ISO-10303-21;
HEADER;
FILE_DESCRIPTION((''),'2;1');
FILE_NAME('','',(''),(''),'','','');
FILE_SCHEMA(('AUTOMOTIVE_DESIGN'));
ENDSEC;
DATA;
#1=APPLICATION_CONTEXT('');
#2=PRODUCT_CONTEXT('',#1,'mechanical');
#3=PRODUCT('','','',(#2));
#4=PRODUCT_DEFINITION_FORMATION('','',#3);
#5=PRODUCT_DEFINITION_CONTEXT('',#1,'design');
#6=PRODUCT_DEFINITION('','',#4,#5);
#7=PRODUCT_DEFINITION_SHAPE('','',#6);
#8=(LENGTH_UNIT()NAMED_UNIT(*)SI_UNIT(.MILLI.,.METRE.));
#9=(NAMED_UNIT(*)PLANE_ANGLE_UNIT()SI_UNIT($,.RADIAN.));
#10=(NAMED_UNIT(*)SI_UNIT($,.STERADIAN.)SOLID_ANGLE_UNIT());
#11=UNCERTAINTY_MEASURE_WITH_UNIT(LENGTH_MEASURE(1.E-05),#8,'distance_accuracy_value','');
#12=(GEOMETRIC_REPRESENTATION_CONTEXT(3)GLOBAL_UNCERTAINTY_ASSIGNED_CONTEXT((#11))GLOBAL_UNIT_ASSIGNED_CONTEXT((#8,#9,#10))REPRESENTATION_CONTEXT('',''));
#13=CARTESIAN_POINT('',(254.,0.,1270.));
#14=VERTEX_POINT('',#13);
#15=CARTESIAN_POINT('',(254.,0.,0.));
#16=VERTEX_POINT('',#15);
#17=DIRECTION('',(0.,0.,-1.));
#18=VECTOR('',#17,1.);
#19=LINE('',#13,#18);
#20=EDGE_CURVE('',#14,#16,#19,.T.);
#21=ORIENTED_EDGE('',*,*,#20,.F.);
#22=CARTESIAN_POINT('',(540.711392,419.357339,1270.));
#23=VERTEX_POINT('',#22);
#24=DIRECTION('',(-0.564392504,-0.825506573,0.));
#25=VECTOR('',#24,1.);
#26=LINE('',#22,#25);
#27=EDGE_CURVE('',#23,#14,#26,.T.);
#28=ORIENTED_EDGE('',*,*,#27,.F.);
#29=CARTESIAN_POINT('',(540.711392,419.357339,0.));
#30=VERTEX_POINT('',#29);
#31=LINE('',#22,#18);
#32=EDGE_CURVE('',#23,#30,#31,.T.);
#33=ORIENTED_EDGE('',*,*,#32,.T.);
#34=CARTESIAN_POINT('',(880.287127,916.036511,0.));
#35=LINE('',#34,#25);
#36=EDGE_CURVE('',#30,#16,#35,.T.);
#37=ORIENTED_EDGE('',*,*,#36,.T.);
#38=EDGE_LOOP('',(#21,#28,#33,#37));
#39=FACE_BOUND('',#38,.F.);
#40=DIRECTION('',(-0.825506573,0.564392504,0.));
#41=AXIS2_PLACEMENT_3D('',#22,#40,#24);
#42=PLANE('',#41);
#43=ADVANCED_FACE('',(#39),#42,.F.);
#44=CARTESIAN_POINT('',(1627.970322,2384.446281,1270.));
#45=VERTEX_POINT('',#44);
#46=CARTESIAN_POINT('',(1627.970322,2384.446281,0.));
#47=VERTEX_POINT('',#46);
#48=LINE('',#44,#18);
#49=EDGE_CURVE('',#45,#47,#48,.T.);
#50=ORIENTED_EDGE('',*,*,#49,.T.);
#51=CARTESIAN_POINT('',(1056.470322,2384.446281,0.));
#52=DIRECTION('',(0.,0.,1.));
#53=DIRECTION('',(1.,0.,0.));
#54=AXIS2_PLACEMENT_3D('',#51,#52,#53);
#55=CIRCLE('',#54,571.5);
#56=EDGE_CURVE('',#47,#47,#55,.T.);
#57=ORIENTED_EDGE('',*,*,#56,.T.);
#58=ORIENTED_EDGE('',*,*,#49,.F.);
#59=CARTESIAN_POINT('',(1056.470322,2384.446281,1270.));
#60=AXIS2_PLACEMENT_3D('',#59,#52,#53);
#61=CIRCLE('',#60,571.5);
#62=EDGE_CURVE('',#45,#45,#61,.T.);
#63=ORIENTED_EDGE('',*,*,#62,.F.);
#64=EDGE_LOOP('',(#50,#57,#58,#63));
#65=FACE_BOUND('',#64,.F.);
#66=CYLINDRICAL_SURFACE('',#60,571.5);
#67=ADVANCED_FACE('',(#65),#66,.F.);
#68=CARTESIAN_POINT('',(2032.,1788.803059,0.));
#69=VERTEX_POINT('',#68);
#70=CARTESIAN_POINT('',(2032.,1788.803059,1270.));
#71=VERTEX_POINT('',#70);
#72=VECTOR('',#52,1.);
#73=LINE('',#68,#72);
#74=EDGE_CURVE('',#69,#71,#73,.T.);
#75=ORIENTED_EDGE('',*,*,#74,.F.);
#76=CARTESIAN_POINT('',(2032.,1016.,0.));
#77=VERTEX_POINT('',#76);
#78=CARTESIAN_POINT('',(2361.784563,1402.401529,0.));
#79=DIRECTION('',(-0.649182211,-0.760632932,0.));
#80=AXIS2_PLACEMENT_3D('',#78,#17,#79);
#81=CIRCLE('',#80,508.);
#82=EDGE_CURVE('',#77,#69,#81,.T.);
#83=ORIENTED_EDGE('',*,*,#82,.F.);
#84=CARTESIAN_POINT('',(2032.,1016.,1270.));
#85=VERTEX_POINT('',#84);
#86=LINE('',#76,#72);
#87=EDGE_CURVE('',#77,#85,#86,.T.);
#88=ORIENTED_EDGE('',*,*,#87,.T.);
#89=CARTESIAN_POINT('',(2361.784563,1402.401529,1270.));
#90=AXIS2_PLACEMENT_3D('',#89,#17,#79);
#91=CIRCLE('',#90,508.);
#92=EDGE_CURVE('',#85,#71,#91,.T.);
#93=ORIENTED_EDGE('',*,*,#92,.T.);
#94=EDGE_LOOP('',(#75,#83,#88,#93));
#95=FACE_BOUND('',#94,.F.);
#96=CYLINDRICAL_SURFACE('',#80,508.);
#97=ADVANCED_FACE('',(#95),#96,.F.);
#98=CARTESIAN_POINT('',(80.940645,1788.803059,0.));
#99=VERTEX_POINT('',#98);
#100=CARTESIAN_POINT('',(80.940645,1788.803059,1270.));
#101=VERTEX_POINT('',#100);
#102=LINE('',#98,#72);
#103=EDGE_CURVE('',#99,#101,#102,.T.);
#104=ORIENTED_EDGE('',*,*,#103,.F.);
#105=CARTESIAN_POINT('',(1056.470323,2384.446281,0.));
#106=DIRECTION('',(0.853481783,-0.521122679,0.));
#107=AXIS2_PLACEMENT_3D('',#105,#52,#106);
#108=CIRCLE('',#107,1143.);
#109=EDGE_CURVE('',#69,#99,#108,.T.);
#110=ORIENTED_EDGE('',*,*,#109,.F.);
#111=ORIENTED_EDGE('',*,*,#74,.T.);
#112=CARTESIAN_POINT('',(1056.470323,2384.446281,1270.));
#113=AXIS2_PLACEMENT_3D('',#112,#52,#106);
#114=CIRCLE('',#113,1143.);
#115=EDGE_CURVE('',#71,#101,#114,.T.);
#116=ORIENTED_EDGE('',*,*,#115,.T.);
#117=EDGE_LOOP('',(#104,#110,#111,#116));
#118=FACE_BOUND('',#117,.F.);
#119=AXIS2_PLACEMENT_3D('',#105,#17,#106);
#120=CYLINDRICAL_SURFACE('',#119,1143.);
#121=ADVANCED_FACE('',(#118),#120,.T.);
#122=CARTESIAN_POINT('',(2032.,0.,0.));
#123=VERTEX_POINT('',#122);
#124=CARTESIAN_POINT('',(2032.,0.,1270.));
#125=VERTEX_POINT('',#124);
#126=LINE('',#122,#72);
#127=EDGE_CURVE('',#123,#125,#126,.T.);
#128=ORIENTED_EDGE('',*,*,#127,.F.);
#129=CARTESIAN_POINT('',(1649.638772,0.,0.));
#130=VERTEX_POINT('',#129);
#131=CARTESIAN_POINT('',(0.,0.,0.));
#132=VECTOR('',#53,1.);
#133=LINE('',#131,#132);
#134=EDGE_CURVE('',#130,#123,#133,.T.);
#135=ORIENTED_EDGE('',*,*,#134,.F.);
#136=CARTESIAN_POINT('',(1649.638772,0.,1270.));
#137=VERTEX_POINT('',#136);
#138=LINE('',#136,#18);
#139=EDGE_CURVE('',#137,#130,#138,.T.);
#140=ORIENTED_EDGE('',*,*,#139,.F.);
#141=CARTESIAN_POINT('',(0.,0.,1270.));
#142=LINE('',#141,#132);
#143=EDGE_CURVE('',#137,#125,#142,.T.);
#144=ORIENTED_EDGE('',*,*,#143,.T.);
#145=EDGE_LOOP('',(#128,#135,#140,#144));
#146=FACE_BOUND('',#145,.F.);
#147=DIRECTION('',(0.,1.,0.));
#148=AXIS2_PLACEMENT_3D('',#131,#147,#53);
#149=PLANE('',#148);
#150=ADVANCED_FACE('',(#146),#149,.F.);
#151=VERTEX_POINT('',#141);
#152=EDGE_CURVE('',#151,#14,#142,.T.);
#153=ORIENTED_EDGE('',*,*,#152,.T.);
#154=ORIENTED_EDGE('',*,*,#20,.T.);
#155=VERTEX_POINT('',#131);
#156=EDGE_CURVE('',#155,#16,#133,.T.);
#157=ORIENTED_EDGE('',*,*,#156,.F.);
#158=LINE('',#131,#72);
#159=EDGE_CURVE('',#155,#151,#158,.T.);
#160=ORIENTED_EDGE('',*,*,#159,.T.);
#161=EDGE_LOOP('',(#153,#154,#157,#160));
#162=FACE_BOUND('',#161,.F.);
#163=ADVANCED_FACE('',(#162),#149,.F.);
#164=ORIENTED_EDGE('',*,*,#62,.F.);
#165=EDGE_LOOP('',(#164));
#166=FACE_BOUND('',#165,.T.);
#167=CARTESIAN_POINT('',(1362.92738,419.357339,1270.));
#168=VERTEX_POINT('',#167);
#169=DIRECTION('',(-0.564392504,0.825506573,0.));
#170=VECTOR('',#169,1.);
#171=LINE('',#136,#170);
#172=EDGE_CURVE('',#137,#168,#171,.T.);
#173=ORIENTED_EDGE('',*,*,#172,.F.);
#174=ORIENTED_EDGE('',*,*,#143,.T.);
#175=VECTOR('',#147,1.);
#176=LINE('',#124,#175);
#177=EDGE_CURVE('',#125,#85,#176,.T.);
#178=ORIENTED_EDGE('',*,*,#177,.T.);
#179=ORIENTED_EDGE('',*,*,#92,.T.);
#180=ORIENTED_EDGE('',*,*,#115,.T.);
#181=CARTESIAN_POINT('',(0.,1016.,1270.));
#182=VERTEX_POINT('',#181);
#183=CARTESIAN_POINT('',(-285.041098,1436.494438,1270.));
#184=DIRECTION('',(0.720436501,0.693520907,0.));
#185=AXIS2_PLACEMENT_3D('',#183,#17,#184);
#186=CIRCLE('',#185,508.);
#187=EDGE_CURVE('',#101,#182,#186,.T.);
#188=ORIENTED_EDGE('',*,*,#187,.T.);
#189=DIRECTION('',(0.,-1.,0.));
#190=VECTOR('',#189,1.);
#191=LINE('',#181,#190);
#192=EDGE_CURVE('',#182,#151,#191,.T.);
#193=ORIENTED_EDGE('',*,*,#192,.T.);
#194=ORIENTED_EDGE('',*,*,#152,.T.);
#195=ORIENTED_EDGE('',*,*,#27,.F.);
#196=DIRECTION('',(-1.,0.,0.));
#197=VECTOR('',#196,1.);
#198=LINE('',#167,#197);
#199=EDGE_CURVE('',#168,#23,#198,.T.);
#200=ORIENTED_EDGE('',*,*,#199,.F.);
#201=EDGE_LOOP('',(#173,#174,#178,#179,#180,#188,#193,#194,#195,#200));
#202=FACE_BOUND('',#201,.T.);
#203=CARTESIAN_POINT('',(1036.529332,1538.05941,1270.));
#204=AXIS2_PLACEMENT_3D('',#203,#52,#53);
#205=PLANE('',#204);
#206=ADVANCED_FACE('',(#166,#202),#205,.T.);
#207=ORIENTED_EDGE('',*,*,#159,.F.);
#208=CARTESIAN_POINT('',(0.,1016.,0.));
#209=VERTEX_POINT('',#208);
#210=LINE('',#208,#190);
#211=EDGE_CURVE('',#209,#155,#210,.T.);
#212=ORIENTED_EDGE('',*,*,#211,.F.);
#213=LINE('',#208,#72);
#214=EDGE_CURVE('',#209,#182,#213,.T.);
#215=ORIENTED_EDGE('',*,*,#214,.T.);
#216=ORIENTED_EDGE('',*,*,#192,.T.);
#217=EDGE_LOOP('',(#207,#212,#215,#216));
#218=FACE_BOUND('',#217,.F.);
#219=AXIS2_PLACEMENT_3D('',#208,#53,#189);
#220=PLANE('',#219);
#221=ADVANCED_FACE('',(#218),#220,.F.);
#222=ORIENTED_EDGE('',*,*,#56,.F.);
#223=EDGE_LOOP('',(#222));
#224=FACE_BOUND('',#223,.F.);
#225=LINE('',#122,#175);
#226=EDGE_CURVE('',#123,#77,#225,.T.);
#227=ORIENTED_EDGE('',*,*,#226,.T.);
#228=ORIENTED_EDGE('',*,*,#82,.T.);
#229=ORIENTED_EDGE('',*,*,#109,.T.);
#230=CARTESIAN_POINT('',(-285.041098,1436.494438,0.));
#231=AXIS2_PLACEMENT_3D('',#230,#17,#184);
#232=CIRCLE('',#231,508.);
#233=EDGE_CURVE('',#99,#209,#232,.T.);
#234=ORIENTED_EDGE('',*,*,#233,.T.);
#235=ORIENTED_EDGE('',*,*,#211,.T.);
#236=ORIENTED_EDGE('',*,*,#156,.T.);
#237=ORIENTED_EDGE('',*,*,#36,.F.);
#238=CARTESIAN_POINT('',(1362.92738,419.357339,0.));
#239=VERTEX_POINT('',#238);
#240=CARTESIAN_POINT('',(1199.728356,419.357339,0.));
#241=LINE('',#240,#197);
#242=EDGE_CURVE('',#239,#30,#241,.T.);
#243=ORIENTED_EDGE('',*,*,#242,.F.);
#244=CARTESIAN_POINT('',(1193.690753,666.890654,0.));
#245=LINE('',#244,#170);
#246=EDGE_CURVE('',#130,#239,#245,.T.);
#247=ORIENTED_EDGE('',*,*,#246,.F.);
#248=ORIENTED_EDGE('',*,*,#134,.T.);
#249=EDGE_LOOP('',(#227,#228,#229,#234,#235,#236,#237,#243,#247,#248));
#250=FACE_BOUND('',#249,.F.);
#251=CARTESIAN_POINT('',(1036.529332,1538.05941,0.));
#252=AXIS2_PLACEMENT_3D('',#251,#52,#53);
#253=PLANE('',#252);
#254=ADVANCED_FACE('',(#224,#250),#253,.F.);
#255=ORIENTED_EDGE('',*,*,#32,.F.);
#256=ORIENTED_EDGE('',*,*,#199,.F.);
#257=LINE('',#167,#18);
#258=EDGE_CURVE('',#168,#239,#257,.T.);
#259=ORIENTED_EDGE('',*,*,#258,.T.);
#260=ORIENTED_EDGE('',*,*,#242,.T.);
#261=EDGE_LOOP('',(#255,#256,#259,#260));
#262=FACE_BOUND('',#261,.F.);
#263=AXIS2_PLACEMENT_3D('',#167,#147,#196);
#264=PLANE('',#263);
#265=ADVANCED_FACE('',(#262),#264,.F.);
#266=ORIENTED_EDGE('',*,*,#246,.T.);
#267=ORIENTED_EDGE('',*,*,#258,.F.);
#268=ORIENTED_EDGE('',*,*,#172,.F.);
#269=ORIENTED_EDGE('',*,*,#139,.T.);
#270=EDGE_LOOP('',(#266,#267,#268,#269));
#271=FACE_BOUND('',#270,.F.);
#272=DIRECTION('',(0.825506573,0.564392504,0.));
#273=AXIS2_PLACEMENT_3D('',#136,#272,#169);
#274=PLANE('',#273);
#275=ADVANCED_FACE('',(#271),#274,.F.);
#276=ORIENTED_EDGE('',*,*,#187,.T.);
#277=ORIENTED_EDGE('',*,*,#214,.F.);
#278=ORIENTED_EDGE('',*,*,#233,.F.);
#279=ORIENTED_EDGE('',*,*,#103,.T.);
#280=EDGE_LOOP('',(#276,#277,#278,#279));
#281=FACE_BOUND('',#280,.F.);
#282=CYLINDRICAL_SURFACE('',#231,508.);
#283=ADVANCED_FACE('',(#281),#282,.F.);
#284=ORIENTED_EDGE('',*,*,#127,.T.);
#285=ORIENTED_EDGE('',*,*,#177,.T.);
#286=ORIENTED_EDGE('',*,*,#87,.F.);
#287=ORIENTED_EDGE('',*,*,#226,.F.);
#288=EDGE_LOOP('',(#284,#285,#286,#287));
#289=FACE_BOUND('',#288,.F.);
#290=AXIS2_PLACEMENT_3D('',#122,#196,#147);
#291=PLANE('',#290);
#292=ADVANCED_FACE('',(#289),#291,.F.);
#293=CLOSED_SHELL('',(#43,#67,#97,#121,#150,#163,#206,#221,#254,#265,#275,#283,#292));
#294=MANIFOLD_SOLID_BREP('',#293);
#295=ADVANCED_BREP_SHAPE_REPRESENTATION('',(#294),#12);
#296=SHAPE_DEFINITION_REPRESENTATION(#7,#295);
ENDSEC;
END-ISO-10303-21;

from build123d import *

# Parameters (mm, degrees)
F1_DEPTH = 1270
F2_R     = 571.5
F3_DEPTH = 1270.001


with BuildPart() as f1:
    # F0 (on Top) → F1 (new body)
    with BuildSketch(Plane.XY):
        with BuildLine():
            Line((0, 1016), (0, 0))
            Line((0, 0), (254, 0))
            Line((254, 0), (2032, 0))
            Line((2032, 0), (2032, 1016))
            ThreePointArc((2032, 1016), (1853.784563, 1402.401529), (2032, 1788.803059))
            ThreePointArc((2032, 1788.803059), (1056.470322, 3527.446281), (80.940645, 1788.803059))
            ThreePointArc((80.940645, 1788.803059), (220.195309, 1383.577773), (0, 1016))
        make_face()
    extrude(amount=F1_DEPTH)

    # F2 (on face) → F3 (cut, through all)
    with BuildSketch(Plane.XY.offset(1270)):
        Polygon((540.711392, 419.357339), (254, 0), (1649.638772, 0), (1362.92738, 419.357339), align=None)
        with Locations((1056.470322, 2384.446281)):
            Circle(F2_R)
    extrude(amount=-F3_DEPTH, mode=Mode.SUBTRACT)


solid = f1.part
